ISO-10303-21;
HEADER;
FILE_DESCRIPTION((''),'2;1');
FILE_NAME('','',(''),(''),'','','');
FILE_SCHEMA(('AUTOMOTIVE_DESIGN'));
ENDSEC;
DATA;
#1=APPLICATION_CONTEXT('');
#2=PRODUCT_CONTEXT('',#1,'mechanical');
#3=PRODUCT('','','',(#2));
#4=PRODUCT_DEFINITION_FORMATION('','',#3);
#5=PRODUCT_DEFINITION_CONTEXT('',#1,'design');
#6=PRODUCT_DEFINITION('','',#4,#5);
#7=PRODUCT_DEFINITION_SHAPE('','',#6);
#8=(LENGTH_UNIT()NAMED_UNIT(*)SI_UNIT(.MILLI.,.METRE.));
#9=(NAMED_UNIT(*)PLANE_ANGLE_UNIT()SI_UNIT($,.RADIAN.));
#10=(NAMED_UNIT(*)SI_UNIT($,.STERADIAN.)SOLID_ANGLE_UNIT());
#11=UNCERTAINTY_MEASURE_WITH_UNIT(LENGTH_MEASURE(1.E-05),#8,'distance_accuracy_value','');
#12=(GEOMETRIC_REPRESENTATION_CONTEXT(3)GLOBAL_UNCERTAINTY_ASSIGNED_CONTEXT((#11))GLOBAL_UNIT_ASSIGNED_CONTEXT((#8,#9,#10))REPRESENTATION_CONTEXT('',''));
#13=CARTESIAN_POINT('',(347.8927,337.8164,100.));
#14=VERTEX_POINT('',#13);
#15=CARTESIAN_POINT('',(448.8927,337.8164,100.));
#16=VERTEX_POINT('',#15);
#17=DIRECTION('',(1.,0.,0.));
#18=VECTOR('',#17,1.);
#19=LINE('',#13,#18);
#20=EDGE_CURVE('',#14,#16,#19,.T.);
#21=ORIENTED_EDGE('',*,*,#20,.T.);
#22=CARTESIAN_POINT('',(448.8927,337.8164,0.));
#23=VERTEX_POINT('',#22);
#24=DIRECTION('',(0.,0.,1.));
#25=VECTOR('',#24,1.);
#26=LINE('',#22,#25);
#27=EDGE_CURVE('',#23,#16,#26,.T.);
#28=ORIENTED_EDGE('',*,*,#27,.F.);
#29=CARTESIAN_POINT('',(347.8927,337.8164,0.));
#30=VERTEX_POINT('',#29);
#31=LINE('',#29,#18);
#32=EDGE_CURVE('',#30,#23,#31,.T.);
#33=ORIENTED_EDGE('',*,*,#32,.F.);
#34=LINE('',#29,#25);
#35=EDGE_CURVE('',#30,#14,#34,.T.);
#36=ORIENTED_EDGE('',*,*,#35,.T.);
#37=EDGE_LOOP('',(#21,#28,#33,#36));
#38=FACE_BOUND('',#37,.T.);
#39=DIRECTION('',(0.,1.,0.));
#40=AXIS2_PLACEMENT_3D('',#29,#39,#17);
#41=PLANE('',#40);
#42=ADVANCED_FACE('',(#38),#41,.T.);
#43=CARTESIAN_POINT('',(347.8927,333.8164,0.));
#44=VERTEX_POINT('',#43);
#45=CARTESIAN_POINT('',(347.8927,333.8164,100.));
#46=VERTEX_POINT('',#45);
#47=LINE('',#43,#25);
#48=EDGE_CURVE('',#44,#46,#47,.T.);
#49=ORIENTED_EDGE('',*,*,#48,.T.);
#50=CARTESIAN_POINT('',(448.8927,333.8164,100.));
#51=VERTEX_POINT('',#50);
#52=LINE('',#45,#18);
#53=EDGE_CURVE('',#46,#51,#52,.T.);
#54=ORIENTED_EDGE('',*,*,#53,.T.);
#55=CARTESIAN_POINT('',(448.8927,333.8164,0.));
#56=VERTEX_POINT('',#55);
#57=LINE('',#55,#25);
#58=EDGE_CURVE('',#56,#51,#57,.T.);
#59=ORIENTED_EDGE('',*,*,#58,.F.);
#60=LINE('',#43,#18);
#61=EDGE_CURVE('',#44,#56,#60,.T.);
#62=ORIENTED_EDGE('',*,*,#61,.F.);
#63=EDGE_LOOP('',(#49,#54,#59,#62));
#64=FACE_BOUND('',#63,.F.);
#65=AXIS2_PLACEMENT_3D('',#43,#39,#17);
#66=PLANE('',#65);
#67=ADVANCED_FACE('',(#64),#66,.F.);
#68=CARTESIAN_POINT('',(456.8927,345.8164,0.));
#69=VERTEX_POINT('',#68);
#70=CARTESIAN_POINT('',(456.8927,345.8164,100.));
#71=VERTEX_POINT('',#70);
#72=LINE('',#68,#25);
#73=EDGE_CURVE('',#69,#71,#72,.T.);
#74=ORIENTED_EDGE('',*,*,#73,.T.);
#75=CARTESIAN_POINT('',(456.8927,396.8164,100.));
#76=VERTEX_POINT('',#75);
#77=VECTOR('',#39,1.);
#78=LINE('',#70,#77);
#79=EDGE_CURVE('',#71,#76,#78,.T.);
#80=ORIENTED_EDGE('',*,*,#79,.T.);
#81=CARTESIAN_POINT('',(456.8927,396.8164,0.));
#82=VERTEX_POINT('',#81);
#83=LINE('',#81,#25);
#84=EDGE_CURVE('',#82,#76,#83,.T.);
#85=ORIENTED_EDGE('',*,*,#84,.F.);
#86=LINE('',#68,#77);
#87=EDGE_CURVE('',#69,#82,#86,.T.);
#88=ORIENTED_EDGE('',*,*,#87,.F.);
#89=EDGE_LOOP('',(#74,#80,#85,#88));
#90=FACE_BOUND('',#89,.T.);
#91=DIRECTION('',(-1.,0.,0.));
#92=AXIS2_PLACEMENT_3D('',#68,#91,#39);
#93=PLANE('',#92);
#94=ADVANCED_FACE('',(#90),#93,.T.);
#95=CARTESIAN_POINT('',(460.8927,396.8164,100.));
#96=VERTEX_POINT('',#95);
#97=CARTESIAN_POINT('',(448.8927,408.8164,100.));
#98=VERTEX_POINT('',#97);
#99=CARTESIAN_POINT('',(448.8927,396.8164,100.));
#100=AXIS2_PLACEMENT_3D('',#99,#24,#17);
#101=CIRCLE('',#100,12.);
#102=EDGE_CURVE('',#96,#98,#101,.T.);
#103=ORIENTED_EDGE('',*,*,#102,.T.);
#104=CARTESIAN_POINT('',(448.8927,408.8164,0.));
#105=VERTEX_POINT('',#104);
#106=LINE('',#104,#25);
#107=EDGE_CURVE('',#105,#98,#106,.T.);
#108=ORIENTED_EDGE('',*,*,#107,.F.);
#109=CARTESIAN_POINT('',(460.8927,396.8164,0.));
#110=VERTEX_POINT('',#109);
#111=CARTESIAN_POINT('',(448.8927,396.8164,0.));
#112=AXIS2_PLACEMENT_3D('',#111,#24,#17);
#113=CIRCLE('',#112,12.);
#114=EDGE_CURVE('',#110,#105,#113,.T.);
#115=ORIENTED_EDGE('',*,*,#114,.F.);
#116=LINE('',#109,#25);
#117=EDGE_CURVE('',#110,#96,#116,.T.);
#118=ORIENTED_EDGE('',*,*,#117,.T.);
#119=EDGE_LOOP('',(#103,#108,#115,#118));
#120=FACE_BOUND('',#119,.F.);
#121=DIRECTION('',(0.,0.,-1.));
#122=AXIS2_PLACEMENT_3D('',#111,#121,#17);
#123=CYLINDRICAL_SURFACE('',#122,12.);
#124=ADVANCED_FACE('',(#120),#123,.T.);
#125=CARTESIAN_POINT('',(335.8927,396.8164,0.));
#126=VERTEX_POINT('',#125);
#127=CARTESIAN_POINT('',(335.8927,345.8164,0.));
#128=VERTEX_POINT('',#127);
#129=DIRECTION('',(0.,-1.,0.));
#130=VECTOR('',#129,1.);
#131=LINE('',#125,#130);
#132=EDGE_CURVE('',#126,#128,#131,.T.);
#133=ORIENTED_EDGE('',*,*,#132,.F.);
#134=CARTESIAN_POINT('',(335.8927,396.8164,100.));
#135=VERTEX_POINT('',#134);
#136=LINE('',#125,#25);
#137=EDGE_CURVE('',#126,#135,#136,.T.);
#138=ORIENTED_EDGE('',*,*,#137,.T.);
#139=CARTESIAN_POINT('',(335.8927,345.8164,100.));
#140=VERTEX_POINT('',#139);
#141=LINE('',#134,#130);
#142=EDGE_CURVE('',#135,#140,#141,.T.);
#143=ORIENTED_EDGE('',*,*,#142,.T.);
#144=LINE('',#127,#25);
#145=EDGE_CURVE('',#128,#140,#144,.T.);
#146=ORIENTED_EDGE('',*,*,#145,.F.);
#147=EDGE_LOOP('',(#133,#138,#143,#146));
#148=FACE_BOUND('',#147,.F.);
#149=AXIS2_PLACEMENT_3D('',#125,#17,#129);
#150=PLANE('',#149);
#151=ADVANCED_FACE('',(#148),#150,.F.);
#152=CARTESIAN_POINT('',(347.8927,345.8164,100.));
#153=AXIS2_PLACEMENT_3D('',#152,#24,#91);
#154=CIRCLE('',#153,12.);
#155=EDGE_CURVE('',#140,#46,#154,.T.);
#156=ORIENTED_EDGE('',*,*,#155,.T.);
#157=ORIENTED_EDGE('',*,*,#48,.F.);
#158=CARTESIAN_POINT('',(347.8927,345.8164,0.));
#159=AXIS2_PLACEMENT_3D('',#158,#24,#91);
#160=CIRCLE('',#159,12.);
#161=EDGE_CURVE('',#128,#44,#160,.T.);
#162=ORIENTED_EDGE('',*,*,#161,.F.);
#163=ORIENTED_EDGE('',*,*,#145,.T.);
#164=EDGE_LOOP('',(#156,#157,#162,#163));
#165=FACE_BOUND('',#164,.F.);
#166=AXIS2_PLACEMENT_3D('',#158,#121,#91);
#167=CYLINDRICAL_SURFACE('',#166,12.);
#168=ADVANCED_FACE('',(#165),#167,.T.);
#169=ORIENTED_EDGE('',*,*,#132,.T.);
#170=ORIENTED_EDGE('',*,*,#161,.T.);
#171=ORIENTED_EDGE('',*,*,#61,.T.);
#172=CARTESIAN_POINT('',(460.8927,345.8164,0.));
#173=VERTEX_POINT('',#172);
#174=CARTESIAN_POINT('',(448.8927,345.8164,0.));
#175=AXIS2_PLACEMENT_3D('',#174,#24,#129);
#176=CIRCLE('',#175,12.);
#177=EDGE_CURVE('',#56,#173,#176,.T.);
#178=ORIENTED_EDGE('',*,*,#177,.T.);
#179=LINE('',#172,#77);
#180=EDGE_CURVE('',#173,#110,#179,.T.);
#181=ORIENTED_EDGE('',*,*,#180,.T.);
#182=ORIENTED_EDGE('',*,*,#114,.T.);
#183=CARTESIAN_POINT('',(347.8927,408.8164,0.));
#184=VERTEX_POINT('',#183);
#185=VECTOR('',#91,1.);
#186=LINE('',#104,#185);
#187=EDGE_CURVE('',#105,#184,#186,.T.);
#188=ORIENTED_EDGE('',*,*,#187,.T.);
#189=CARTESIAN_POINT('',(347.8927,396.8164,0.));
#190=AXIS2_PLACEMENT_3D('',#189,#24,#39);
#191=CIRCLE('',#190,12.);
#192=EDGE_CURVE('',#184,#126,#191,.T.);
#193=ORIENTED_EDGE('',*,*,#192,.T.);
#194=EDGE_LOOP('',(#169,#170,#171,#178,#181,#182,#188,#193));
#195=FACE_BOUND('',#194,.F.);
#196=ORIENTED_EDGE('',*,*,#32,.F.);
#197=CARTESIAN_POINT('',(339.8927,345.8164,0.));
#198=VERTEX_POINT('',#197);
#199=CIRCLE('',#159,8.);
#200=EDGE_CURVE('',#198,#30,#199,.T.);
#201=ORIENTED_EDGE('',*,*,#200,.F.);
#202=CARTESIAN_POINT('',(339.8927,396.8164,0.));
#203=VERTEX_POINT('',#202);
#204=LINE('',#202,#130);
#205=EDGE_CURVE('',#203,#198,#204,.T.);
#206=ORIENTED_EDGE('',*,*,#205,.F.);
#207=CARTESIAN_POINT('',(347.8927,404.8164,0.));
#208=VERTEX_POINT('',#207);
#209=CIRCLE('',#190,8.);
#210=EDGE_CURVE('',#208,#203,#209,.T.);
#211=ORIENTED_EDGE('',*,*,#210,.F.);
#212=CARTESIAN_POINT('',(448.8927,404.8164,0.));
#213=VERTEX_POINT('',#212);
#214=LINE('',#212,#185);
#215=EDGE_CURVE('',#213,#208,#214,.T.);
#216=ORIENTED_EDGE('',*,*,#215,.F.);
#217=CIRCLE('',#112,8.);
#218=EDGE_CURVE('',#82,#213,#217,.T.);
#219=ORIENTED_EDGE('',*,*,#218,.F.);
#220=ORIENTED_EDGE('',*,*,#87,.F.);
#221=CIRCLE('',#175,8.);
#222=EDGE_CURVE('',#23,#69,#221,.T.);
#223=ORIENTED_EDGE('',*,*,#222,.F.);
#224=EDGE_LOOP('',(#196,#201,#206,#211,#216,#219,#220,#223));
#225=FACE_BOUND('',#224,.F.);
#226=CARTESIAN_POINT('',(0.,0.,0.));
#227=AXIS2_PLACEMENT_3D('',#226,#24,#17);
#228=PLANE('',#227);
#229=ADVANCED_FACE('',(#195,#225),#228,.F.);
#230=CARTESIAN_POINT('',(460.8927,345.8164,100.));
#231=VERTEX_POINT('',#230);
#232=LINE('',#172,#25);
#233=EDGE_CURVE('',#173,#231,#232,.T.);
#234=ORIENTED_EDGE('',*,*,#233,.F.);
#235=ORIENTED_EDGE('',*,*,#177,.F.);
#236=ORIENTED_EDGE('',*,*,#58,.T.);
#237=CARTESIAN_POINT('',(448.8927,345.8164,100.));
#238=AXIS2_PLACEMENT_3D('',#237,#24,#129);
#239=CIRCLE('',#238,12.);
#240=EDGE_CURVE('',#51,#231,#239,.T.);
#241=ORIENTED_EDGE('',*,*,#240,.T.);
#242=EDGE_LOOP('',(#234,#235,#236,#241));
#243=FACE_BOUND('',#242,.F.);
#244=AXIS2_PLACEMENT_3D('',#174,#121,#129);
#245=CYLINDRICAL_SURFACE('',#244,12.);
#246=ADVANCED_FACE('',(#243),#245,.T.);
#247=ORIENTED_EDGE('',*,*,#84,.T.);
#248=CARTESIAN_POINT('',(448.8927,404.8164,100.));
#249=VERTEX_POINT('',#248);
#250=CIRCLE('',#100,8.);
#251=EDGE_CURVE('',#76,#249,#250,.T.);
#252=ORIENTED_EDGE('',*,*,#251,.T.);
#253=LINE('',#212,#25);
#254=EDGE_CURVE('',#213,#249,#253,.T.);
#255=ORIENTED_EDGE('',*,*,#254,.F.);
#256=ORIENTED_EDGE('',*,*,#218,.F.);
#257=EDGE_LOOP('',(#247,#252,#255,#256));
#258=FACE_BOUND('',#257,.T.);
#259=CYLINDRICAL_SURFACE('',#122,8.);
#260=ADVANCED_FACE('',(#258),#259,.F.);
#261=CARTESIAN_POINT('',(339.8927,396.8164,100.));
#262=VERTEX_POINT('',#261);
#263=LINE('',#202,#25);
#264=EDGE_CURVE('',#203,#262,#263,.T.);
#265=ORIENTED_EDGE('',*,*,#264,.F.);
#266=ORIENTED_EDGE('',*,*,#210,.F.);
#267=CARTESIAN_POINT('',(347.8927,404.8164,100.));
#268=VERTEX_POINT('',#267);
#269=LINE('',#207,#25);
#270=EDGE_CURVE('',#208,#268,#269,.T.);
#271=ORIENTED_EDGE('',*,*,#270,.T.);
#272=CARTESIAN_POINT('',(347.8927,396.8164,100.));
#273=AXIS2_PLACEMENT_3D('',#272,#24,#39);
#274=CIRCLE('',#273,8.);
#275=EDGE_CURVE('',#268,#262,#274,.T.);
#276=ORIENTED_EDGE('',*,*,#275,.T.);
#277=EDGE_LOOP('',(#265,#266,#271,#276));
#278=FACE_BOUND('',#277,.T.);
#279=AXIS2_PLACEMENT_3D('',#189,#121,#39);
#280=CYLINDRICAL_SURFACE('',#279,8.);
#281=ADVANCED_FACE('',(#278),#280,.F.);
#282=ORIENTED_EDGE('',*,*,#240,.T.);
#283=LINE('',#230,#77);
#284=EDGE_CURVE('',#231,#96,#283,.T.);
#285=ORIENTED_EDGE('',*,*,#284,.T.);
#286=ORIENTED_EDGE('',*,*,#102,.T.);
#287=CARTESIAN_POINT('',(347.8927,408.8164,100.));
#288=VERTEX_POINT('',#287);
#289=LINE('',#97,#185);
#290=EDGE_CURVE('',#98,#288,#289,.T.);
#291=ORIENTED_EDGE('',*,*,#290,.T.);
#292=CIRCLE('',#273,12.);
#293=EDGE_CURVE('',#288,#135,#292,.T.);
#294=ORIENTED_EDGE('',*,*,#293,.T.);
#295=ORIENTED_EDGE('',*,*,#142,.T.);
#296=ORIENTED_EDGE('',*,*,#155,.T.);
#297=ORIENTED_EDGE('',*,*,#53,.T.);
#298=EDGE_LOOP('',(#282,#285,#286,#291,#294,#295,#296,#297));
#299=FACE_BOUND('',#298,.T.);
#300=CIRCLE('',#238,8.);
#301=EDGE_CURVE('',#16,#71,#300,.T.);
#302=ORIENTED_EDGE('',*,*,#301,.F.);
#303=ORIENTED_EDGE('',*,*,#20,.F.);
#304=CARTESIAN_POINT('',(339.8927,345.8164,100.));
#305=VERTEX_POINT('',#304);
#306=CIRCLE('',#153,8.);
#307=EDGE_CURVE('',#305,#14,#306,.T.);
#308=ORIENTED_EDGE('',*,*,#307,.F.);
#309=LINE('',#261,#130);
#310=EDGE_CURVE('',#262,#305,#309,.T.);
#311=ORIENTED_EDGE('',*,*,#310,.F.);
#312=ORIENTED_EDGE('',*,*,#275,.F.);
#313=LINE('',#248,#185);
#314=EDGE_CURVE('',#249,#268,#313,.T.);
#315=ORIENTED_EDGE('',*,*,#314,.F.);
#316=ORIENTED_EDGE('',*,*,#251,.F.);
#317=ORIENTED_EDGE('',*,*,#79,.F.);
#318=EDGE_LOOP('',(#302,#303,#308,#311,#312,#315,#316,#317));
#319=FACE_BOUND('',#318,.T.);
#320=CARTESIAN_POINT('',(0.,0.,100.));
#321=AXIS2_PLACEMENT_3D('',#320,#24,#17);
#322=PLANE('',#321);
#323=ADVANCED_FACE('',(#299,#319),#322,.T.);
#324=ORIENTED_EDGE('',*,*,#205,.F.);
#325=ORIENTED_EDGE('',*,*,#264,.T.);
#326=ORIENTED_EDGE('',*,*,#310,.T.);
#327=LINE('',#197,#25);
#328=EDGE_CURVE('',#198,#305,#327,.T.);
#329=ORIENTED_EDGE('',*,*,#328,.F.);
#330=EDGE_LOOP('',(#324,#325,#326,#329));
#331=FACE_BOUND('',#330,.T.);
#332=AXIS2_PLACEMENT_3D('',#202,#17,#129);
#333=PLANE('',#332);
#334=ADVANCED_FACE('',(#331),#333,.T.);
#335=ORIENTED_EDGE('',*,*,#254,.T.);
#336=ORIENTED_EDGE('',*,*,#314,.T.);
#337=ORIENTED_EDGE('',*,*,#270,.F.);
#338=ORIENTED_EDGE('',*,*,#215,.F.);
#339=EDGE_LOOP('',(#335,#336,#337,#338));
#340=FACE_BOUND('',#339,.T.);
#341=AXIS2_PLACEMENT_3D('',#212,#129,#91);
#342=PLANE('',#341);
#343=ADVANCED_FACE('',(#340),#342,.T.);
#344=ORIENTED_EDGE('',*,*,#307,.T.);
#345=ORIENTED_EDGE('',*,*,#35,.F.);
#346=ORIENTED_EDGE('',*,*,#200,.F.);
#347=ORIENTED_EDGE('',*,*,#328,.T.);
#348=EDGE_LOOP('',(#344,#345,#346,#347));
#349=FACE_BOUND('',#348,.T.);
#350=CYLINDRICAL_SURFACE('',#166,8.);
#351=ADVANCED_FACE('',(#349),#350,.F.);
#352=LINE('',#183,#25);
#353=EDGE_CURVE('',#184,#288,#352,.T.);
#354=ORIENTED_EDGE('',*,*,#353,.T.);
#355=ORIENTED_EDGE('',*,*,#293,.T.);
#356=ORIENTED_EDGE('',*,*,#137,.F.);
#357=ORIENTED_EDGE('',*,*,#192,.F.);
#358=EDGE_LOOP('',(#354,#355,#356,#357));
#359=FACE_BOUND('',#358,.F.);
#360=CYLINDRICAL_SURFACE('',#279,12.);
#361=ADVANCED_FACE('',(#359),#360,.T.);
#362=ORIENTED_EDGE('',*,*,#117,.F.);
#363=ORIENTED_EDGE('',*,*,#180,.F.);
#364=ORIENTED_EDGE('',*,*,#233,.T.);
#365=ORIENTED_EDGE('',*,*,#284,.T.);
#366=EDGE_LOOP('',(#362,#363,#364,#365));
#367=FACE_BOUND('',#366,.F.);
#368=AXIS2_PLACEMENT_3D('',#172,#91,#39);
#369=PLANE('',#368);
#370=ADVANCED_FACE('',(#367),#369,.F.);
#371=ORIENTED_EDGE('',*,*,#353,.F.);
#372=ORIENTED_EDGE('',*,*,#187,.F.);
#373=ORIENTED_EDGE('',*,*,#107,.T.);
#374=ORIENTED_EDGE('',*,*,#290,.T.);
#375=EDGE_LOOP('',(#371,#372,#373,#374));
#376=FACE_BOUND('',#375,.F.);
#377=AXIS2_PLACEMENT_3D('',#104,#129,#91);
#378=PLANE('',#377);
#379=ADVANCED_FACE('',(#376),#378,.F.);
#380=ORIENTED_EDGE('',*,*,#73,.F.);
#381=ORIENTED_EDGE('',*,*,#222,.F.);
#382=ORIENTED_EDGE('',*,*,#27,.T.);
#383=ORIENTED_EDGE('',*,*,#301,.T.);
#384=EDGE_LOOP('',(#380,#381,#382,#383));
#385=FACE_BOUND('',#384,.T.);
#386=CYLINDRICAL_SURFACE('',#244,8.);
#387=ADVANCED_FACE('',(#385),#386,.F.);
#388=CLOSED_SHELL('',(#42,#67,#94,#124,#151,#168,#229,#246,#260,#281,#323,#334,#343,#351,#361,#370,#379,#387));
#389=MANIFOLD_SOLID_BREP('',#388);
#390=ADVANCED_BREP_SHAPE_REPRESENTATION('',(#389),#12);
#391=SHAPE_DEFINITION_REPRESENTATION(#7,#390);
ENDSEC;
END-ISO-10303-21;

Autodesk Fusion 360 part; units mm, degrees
sketch "スケッチ1" plane through (0, 0, 0) normal (0, 0, 1) x (1, 0, 0)
  line L0 (347.8927, 333.8164) -> (448.8927, 333.8164)
  line L1 (347.8927, 337.8164) -> (448.8927, 337.8164)
  line L2 (448.8927, 408.8164) -> (347.8927, 408.8164)
  line L3 (448.8927, 404.8164) -> (347.8927, 404.8164)
  line L4 (335.8927, 396.8164) -> (335.8927, 345.8164)
  line L5 (339.8927, 396.8164) -> (339.8927, 345.8164)
  arc A0 (335.8927, 345.8164) -> (347.8927, 333.8164) centre (347.8927, 345.8164) ccw
  arc A1 (339.8927, 345.8164) -> (347.8927, 337.8164) centre (347.8927, 345.8164) ccw
  arc A2 (347.8927, 408.8164) -> (335.8927, 396.8164) centre (347.8927, 396.8164) ccw
  arc A3 (347.8927, 404.8164) -> (339.8927, 396.8164) centre (347.8927, 396.8164) ccw
  line L6 (460.8927, 345.8164) -> (460.8927, 396.8164)
  line L7 (456.8927, 345.8164) -> (456.8927, 396.8164)
  arc A4 (448.8927, 333.8164) -> (460.8927, 345.8164) centre (448.8927, 345.8164) ccw
  arc A5 (448.8927, 337.8164) -> (456.8927, 345.8164) centre (448.8927, 345.8164) ccw
  arc A6 (460.8927, 396.8164) -> (448.8927, 408.8164) centre (448.8927, 396.8164) ccw
  arc A7 (456.8927, 396.8164) -> (448.8927, 404.8164) centre (448.8927, 396.8164) ccw
  point P0 (398.3927, 371.3164)
extrude "押し出し1" add sketch "スケッチ1" along normal blind 100
